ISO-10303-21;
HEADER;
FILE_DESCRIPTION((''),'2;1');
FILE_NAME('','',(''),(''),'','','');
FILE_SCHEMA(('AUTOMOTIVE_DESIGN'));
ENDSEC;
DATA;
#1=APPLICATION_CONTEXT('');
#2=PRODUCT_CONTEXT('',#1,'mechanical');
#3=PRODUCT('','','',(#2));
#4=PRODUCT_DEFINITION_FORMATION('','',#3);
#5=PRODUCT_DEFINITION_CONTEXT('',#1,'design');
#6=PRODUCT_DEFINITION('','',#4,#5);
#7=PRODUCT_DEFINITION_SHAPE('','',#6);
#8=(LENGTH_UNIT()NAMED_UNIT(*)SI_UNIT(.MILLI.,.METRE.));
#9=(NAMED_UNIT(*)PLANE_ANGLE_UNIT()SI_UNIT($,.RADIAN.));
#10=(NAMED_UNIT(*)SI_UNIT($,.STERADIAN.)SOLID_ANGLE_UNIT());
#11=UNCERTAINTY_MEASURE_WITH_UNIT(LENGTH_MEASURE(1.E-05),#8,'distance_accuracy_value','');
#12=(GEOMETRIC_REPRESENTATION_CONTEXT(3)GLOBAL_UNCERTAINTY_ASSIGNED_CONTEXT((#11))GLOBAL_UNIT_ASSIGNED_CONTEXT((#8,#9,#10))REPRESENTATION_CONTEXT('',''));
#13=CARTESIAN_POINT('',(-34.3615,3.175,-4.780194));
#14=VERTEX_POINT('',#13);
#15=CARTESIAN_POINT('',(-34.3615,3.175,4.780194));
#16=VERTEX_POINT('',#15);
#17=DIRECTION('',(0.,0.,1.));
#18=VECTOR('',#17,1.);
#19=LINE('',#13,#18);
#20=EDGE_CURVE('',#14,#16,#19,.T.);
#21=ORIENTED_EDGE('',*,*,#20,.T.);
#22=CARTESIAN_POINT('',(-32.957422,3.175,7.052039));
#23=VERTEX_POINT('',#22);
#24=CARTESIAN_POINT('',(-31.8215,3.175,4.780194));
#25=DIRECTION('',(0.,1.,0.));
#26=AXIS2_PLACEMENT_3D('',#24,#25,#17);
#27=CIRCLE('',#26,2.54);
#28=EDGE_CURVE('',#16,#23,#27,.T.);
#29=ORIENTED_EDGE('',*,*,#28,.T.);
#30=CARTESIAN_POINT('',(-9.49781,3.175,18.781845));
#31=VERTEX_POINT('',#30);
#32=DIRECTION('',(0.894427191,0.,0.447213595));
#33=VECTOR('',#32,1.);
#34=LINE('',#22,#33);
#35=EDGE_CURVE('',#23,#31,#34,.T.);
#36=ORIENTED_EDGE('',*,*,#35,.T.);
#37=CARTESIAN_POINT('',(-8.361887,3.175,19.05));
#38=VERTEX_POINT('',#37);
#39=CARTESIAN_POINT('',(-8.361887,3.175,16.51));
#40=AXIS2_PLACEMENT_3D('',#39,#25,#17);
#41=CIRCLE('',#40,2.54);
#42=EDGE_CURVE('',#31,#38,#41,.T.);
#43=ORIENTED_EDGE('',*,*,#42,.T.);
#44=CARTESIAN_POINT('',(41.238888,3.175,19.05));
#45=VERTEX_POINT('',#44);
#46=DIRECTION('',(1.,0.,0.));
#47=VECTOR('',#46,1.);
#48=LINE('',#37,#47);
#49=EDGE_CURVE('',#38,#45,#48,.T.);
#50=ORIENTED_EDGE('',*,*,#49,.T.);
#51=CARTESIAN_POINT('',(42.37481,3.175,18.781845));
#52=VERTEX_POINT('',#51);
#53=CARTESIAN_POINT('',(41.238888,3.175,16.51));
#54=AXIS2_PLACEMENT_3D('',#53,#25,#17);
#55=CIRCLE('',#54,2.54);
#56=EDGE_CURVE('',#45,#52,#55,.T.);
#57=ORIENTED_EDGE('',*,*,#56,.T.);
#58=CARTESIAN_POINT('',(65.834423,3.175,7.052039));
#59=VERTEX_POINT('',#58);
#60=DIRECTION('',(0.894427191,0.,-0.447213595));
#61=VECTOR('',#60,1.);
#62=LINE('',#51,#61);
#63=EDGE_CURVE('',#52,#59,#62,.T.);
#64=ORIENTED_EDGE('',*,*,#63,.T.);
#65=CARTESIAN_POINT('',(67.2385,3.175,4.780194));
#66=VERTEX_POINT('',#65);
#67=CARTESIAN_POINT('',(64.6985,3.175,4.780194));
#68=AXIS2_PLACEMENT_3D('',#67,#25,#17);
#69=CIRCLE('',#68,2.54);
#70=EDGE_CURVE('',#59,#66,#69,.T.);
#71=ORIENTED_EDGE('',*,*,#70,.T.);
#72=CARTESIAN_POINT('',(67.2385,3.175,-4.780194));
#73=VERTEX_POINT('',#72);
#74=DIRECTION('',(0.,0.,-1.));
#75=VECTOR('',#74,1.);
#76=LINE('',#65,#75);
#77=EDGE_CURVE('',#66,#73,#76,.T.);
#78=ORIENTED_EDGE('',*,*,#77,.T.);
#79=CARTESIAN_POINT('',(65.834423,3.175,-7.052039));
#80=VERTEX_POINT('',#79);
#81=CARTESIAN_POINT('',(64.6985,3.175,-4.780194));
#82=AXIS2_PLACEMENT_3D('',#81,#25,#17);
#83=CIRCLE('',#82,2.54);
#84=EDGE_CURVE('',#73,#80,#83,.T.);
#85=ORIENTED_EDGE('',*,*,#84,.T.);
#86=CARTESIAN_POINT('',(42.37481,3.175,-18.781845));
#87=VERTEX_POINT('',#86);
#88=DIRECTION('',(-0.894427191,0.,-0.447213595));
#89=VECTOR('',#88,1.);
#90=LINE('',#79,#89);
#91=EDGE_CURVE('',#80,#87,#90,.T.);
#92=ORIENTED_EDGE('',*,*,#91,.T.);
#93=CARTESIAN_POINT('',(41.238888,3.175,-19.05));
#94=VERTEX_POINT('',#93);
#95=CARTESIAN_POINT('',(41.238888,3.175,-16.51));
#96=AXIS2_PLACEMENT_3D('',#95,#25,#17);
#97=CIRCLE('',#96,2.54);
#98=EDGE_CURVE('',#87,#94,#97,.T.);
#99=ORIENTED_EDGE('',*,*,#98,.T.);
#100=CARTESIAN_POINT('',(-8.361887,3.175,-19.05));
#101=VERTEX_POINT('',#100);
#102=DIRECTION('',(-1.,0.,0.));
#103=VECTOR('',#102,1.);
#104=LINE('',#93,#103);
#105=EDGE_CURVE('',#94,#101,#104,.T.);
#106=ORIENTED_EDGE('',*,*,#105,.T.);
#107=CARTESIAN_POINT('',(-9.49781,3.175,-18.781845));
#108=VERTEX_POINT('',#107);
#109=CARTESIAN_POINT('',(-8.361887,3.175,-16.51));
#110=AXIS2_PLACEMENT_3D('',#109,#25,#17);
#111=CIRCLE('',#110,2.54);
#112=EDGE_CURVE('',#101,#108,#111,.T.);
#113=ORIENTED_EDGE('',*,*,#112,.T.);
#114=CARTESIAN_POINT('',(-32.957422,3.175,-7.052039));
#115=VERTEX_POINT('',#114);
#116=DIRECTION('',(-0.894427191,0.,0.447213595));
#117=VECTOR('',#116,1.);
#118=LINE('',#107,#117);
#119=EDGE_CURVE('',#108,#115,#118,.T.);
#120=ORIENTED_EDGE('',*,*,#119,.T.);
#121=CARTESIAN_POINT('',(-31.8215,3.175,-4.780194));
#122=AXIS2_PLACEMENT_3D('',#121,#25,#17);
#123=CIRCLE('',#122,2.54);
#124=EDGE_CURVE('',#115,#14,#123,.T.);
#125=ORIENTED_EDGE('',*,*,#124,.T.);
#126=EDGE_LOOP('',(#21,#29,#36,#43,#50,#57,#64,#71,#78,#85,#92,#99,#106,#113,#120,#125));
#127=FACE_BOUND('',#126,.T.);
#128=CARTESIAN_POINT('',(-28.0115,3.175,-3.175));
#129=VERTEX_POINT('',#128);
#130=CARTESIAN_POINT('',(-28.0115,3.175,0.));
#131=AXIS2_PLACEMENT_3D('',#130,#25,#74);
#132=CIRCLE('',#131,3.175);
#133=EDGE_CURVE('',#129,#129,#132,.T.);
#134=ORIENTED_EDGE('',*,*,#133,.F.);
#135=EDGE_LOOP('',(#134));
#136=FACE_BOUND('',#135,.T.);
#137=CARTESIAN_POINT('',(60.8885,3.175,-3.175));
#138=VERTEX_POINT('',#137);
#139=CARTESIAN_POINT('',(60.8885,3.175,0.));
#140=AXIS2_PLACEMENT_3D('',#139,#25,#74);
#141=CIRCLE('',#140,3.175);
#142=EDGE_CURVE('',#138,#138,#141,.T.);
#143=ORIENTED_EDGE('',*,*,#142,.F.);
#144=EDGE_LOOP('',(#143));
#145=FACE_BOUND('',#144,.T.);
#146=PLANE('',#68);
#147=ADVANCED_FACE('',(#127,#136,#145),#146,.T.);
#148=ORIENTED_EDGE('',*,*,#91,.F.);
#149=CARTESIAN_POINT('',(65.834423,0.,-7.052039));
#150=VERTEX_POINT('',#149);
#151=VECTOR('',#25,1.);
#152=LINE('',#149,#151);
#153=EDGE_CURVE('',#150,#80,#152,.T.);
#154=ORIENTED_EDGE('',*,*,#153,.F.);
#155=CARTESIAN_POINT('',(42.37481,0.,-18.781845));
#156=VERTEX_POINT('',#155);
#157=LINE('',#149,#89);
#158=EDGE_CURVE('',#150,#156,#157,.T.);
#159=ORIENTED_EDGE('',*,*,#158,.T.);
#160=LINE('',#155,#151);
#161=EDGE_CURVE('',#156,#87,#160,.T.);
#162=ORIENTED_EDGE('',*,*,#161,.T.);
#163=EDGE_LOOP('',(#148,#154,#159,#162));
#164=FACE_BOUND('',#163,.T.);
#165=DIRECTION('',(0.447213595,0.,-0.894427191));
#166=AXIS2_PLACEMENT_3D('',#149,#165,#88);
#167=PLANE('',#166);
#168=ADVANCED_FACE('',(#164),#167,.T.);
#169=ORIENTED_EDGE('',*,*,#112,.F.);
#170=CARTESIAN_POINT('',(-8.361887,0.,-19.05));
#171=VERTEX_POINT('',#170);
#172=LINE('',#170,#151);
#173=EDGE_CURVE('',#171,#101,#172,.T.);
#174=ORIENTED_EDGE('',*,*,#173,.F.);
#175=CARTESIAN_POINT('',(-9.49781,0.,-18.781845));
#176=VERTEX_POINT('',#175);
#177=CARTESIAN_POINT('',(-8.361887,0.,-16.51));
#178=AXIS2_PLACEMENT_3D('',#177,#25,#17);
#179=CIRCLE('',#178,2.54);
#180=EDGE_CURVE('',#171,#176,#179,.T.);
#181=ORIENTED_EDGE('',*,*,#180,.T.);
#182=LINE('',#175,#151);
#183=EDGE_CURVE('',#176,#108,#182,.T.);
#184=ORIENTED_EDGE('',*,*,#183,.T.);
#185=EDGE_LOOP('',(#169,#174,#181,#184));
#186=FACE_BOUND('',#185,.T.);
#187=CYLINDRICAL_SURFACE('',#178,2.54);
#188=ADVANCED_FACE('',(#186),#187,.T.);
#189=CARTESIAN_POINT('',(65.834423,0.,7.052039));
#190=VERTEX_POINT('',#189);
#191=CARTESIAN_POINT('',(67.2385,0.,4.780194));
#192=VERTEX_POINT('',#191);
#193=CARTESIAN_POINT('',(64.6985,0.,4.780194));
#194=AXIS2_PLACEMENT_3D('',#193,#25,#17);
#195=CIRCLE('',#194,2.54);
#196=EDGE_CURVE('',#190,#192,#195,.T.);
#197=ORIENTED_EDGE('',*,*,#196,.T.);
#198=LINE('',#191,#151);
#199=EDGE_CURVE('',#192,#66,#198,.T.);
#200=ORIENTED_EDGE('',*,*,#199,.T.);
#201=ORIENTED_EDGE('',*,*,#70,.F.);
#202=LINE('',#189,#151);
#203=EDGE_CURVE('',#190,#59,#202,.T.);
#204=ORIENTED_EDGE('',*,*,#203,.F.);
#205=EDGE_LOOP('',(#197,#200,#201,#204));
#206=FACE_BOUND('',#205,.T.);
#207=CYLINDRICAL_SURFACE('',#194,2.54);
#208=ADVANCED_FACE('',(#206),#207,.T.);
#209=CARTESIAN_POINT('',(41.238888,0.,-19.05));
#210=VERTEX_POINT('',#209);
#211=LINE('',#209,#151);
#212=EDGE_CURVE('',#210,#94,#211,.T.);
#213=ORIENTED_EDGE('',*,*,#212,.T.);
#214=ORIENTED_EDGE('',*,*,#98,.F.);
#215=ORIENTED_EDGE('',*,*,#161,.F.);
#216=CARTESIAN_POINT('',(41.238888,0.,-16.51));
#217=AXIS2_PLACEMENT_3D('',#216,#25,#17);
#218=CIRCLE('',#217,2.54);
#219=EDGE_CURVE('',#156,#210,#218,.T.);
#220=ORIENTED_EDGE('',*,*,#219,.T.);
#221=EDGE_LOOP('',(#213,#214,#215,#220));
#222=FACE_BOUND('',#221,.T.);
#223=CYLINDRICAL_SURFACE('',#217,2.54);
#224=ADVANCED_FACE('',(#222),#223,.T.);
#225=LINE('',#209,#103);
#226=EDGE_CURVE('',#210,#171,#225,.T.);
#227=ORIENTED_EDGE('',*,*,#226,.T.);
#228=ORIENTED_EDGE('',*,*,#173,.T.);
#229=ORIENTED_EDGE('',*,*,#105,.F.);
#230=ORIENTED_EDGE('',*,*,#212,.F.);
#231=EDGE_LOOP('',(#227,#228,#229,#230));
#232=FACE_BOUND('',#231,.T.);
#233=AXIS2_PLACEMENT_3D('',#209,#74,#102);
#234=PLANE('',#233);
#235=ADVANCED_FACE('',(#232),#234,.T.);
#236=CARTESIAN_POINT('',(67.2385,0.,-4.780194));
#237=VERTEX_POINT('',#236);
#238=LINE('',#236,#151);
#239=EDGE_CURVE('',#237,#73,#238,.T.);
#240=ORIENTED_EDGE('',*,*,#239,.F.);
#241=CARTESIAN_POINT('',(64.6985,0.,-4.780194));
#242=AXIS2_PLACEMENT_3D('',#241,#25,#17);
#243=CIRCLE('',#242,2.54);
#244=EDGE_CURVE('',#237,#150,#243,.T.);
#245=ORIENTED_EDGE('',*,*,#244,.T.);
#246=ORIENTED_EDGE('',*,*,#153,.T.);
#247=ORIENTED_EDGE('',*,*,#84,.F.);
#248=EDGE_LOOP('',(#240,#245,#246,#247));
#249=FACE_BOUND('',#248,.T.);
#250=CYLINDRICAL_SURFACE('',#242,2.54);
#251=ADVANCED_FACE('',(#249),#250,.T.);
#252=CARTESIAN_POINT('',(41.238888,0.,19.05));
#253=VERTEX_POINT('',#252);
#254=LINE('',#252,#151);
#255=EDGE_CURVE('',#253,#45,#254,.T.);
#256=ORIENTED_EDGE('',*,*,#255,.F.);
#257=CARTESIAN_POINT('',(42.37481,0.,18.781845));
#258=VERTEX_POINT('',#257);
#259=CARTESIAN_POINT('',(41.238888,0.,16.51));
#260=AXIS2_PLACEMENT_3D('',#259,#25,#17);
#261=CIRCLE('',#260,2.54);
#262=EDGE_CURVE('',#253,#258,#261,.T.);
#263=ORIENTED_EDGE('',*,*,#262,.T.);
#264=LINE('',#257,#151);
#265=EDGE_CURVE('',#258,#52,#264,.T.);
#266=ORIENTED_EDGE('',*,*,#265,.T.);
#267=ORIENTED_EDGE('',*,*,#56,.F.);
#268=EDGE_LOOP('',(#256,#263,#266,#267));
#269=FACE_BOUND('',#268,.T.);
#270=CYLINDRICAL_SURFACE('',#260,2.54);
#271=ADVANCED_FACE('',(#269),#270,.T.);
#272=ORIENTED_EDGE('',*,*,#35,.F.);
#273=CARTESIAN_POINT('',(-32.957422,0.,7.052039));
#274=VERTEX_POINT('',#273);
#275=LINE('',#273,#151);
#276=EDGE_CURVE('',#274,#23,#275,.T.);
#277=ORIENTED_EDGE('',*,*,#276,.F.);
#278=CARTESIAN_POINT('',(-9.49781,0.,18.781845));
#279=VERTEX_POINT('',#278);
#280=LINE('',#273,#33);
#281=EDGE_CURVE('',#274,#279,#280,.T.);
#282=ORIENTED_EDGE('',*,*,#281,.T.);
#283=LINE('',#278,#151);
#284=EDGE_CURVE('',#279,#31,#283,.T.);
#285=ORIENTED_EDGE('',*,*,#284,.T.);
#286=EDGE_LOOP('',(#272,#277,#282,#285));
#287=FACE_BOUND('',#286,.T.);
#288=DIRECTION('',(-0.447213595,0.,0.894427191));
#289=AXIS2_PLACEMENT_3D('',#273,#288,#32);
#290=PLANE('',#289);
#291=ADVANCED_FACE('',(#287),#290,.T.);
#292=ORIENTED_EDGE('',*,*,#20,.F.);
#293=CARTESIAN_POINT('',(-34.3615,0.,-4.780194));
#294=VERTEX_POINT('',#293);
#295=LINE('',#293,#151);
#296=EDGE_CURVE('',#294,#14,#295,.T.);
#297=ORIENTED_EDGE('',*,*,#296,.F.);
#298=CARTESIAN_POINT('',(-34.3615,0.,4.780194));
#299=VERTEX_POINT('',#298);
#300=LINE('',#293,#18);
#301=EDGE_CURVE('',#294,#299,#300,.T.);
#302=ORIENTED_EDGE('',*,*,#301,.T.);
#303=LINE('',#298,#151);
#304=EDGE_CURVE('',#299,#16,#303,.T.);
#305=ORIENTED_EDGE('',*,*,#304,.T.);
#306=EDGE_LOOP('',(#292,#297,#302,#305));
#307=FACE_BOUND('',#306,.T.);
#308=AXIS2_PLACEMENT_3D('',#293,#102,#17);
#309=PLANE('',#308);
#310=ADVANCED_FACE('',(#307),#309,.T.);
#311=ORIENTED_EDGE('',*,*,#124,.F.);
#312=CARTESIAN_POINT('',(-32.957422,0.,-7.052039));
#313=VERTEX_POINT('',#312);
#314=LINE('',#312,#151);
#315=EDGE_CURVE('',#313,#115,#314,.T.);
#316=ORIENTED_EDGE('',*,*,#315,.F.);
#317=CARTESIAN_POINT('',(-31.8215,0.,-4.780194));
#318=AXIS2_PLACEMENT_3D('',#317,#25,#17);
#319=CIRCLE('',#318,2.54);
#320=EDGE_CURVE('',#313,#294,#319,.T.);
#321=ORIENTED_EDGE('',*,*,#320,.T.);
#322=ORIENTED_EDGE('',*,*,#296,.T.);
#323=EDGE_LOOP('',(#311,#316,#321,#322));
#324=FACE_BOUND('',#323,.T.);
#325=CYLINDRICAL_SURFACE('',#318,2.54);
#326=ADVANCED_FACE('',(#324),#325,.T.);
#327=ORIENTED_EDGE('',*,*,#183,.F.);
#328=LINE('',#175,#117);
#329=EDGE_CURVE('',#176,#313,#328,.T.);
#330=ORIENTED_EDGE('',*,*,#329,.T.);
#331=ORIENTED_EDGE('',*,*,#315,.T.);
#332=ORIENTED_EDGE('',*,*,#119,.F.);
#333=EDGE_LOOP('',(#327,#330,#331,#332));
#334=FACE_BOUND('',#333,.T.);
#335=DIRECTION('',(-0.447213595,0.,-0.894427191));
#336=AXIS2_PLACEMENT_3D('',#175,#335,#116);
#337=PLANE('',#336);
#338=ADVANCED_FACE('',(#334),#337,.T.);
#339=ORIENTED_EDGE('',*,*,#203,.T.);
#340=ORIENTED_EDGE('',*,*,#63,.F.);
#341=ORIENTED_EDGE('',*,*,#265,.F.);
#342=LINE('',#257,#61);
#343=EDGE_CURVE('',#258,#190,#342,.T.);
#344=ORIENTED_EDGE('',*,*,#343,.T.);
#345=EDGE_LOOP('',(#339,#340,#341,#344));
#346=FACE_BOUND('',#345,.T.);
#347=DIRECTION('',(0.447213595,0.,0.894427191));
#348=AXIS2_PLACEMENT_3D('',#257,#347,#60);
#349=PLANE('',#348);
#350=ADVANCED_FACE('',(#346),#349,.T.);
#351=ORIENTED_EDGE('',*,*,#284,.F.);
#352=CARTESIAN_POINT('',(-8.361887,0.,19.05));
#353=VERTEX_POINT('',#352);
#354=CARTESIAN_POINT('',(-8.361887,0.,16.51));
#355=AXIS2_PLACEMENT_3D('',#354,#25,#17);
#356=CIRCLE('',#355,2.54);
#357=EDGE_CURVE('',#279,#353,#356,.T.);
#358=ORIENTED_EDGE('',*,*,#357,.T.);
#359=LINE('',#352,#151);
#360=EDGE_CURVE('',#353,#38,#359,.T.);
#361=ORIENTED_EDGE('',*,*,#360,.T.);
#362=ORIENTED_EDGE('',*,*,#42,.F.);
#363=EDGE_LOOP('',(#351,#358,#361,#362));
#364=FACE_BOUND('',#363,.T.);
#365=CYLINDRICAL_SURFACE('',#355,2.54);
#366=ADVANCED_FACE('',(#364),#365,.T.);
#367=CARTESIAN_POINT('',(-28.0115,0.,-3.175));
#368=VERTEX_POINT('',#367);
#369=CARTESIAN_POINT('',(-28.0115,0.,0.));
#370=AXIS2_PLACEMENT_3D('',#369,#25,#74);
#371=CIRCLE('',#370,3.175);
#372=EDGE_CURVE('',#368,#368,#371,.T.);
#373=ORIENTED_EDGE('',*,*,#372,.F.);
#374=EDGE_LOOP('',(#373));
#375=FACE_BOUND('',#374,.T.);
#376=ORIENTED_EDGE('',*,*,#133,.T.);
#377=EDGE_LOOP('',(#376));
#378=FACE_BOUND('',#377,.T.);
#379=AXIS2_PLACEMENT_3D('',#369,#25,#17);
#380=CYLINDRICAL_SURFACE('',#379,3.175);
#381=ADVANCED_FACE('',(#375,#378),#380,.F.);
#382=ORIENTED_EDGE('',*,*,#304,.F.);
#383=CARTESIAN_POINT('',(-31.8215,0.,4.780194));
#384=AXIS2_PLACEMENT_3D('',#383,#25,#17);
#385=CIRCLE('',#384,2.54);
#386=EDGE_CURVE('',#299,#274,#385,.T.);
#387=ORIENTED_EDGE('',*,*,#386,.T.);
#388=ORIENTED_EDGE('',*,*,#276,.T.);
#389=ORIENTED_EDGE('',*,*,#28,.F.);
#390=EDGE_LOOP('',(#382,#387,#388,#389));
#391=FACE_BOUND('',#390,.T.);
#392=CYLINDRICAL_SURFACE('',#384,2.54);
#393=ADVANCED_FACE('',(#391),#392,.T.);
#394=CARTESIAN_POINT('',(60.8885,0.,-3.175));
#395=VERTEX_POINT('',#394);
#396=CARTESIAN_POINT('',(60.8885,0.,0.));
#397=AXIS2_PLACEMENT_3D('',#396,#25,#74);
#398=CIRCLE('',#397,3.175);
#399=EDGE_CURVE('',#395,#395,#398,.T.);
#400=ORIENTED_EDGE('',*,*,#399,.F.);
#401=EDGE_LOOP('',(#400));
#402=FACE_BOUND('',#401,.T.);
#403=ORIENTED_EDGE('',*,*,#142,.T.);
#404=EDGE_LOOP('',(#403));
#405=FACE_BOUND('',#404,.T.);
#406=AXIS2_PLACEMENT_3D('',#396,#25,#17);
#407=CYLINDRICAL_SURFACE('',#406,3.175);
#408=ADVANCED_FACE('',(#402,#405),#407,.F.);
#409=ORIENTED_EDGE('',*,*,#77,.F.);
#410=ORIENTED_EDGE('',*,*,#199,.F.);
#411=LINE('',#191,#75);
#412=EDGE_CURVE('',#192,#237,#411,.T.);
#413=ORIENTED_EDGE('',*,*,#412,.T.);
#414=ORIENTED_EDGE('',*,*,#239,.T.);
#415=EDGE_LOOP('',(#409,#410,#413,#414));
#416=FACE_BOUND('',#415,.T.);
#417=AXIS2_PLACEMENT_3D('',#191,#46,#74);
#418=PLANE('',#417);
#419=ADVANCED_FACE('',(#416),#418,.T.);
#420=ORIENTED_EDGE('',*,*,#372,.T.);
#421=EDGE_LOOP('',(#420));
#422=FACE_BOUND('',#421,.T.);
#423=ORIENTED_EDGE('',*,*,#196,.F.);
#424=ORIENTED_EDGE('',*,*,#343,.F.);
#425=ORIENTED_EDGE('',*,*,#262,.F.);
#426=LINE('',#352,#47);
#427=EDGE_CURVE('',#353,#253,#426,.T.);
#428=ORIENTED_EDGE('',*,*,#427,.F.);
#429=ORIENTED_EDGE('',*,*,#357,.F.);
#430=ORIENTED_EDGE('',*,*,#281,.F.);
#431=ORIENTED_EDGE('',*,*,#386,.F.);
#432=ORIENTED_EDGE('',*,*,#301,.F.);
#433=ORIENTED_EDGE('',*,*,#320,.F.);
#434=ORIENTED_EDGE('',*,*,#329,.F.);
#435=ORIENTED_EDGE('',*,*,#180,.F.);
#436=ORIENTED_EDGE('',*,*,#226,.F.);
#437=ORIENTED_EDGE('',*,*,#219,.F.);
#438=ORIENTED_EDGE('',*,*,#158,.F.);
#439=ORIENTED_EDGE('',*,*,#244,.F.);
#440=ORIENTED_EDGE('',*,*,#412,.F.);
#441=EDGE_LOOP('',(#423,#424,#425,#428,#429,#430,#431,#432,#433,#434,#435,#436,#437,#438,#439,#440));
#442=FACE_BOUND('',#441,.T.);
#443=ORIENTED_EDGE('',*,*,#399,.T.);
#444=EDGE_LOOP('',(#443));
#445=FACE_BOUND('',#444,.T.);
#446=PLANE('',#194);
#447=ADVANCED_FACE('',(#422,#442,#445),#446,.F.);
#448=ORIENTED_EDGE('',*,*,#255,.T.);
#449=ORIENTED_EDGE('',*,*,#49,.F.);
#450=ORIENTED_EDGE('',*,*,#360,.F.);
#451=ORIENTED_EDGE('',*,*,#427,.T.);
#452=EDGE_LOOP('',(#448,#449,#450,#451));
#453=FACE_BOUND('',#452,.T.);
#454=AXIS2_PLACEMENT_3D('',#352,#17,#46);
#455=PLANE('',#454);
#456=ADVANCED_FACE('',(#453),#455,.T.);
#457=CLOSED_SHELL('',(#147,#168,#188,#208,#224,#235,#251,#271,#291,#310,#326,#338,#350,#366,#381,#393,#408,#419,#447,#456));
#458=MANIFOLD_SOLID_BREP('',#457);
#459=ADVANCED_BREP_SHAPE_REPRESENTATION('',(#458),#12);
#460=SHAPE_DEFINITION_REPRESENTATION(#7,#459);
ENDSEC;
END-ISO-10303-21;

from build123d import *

# Parameters (mm, degrees)
SKETCH1_R           = 3.175
BOSS_EXTRUDE1_DEPTH = 3.175


with BuildPart() as part:
    # Sketch1 → Boss-Extrude1 (new body)
    with BuildSketch(Plane(origin=(0, 3.175, 0), x_dir=(1, 0, 0), z_dir=(0, 1, 0))):
        with BuildLine():
            Line((67.238500214, -4.780193669), (67.238500214, 4.780193669))
            ThreePointArc((67.238500214, 4.780193669), (66.859153267, 6.115550693), (65.834422746, 7.052038734))
            Line((65.834422746, 7.052038734), (42.374810083, 18.781845065))
            ThreePointArc((42.374810083, 18.781845065), (41.822459969, 18.982052433), (41.238887551, 19.05))
            Line((41.238887551, 19.05), (-8.361887124, 19.05))
            ThreePointArc((-8.361887124, 19.05), (-8.945459542, 18.982052433), (-9.497809656, 18.781845065))
            Line((-9.497809656, 18.781845065), (-32.957422319, 7.052038734))
            ThreePointArc((-32.957422319, 7.052038734), (-33.98215284, 6.115550693), (-34.361499786, 4.780193669))
            Line((-34.361499786, 4.780193669), (-34.361499786, -4.780193669))
            ThreePointArc((-34.361499786, -4.780193669), (-33.98215284, -6.115550693), (-32.957422319, -7.052038734))
            Line((-32.957422319, -7.052038734), (-9.497809656, -18.781845065))
            ThreePointArc((-9.497809656, -18.781845065), (-8.945459542, -18.982052433), (-8.361887124, -19.05))
            Line((-8.361887124, -19.05), (41.238887551, -19.05))
            ThreePointArc((41.238887551, -19.05), (41.822459969, -18.982052433), (42.374810083, -18.781845065))
            Line((42.374810083, -18.781845065), (65.834422746, -7.052038734))
            ThreePointArc((65.834422746, -7.052038734), (66.859153267, -6.115550693), (67.238500214, -4.780193669))
        make_face()
        with Locations((-28.011499786, 0)):
            Circle(SKETCH1_R, mode=Mode.SUBTRACT)
        with Locations((60.888500214, 0)):
            Circle(SKETCH1_R, mode=Mode.SUBTRACT)
    extrude(amount=-BOSS_EXTRUDE1_DEPTH)


solid = part.part
